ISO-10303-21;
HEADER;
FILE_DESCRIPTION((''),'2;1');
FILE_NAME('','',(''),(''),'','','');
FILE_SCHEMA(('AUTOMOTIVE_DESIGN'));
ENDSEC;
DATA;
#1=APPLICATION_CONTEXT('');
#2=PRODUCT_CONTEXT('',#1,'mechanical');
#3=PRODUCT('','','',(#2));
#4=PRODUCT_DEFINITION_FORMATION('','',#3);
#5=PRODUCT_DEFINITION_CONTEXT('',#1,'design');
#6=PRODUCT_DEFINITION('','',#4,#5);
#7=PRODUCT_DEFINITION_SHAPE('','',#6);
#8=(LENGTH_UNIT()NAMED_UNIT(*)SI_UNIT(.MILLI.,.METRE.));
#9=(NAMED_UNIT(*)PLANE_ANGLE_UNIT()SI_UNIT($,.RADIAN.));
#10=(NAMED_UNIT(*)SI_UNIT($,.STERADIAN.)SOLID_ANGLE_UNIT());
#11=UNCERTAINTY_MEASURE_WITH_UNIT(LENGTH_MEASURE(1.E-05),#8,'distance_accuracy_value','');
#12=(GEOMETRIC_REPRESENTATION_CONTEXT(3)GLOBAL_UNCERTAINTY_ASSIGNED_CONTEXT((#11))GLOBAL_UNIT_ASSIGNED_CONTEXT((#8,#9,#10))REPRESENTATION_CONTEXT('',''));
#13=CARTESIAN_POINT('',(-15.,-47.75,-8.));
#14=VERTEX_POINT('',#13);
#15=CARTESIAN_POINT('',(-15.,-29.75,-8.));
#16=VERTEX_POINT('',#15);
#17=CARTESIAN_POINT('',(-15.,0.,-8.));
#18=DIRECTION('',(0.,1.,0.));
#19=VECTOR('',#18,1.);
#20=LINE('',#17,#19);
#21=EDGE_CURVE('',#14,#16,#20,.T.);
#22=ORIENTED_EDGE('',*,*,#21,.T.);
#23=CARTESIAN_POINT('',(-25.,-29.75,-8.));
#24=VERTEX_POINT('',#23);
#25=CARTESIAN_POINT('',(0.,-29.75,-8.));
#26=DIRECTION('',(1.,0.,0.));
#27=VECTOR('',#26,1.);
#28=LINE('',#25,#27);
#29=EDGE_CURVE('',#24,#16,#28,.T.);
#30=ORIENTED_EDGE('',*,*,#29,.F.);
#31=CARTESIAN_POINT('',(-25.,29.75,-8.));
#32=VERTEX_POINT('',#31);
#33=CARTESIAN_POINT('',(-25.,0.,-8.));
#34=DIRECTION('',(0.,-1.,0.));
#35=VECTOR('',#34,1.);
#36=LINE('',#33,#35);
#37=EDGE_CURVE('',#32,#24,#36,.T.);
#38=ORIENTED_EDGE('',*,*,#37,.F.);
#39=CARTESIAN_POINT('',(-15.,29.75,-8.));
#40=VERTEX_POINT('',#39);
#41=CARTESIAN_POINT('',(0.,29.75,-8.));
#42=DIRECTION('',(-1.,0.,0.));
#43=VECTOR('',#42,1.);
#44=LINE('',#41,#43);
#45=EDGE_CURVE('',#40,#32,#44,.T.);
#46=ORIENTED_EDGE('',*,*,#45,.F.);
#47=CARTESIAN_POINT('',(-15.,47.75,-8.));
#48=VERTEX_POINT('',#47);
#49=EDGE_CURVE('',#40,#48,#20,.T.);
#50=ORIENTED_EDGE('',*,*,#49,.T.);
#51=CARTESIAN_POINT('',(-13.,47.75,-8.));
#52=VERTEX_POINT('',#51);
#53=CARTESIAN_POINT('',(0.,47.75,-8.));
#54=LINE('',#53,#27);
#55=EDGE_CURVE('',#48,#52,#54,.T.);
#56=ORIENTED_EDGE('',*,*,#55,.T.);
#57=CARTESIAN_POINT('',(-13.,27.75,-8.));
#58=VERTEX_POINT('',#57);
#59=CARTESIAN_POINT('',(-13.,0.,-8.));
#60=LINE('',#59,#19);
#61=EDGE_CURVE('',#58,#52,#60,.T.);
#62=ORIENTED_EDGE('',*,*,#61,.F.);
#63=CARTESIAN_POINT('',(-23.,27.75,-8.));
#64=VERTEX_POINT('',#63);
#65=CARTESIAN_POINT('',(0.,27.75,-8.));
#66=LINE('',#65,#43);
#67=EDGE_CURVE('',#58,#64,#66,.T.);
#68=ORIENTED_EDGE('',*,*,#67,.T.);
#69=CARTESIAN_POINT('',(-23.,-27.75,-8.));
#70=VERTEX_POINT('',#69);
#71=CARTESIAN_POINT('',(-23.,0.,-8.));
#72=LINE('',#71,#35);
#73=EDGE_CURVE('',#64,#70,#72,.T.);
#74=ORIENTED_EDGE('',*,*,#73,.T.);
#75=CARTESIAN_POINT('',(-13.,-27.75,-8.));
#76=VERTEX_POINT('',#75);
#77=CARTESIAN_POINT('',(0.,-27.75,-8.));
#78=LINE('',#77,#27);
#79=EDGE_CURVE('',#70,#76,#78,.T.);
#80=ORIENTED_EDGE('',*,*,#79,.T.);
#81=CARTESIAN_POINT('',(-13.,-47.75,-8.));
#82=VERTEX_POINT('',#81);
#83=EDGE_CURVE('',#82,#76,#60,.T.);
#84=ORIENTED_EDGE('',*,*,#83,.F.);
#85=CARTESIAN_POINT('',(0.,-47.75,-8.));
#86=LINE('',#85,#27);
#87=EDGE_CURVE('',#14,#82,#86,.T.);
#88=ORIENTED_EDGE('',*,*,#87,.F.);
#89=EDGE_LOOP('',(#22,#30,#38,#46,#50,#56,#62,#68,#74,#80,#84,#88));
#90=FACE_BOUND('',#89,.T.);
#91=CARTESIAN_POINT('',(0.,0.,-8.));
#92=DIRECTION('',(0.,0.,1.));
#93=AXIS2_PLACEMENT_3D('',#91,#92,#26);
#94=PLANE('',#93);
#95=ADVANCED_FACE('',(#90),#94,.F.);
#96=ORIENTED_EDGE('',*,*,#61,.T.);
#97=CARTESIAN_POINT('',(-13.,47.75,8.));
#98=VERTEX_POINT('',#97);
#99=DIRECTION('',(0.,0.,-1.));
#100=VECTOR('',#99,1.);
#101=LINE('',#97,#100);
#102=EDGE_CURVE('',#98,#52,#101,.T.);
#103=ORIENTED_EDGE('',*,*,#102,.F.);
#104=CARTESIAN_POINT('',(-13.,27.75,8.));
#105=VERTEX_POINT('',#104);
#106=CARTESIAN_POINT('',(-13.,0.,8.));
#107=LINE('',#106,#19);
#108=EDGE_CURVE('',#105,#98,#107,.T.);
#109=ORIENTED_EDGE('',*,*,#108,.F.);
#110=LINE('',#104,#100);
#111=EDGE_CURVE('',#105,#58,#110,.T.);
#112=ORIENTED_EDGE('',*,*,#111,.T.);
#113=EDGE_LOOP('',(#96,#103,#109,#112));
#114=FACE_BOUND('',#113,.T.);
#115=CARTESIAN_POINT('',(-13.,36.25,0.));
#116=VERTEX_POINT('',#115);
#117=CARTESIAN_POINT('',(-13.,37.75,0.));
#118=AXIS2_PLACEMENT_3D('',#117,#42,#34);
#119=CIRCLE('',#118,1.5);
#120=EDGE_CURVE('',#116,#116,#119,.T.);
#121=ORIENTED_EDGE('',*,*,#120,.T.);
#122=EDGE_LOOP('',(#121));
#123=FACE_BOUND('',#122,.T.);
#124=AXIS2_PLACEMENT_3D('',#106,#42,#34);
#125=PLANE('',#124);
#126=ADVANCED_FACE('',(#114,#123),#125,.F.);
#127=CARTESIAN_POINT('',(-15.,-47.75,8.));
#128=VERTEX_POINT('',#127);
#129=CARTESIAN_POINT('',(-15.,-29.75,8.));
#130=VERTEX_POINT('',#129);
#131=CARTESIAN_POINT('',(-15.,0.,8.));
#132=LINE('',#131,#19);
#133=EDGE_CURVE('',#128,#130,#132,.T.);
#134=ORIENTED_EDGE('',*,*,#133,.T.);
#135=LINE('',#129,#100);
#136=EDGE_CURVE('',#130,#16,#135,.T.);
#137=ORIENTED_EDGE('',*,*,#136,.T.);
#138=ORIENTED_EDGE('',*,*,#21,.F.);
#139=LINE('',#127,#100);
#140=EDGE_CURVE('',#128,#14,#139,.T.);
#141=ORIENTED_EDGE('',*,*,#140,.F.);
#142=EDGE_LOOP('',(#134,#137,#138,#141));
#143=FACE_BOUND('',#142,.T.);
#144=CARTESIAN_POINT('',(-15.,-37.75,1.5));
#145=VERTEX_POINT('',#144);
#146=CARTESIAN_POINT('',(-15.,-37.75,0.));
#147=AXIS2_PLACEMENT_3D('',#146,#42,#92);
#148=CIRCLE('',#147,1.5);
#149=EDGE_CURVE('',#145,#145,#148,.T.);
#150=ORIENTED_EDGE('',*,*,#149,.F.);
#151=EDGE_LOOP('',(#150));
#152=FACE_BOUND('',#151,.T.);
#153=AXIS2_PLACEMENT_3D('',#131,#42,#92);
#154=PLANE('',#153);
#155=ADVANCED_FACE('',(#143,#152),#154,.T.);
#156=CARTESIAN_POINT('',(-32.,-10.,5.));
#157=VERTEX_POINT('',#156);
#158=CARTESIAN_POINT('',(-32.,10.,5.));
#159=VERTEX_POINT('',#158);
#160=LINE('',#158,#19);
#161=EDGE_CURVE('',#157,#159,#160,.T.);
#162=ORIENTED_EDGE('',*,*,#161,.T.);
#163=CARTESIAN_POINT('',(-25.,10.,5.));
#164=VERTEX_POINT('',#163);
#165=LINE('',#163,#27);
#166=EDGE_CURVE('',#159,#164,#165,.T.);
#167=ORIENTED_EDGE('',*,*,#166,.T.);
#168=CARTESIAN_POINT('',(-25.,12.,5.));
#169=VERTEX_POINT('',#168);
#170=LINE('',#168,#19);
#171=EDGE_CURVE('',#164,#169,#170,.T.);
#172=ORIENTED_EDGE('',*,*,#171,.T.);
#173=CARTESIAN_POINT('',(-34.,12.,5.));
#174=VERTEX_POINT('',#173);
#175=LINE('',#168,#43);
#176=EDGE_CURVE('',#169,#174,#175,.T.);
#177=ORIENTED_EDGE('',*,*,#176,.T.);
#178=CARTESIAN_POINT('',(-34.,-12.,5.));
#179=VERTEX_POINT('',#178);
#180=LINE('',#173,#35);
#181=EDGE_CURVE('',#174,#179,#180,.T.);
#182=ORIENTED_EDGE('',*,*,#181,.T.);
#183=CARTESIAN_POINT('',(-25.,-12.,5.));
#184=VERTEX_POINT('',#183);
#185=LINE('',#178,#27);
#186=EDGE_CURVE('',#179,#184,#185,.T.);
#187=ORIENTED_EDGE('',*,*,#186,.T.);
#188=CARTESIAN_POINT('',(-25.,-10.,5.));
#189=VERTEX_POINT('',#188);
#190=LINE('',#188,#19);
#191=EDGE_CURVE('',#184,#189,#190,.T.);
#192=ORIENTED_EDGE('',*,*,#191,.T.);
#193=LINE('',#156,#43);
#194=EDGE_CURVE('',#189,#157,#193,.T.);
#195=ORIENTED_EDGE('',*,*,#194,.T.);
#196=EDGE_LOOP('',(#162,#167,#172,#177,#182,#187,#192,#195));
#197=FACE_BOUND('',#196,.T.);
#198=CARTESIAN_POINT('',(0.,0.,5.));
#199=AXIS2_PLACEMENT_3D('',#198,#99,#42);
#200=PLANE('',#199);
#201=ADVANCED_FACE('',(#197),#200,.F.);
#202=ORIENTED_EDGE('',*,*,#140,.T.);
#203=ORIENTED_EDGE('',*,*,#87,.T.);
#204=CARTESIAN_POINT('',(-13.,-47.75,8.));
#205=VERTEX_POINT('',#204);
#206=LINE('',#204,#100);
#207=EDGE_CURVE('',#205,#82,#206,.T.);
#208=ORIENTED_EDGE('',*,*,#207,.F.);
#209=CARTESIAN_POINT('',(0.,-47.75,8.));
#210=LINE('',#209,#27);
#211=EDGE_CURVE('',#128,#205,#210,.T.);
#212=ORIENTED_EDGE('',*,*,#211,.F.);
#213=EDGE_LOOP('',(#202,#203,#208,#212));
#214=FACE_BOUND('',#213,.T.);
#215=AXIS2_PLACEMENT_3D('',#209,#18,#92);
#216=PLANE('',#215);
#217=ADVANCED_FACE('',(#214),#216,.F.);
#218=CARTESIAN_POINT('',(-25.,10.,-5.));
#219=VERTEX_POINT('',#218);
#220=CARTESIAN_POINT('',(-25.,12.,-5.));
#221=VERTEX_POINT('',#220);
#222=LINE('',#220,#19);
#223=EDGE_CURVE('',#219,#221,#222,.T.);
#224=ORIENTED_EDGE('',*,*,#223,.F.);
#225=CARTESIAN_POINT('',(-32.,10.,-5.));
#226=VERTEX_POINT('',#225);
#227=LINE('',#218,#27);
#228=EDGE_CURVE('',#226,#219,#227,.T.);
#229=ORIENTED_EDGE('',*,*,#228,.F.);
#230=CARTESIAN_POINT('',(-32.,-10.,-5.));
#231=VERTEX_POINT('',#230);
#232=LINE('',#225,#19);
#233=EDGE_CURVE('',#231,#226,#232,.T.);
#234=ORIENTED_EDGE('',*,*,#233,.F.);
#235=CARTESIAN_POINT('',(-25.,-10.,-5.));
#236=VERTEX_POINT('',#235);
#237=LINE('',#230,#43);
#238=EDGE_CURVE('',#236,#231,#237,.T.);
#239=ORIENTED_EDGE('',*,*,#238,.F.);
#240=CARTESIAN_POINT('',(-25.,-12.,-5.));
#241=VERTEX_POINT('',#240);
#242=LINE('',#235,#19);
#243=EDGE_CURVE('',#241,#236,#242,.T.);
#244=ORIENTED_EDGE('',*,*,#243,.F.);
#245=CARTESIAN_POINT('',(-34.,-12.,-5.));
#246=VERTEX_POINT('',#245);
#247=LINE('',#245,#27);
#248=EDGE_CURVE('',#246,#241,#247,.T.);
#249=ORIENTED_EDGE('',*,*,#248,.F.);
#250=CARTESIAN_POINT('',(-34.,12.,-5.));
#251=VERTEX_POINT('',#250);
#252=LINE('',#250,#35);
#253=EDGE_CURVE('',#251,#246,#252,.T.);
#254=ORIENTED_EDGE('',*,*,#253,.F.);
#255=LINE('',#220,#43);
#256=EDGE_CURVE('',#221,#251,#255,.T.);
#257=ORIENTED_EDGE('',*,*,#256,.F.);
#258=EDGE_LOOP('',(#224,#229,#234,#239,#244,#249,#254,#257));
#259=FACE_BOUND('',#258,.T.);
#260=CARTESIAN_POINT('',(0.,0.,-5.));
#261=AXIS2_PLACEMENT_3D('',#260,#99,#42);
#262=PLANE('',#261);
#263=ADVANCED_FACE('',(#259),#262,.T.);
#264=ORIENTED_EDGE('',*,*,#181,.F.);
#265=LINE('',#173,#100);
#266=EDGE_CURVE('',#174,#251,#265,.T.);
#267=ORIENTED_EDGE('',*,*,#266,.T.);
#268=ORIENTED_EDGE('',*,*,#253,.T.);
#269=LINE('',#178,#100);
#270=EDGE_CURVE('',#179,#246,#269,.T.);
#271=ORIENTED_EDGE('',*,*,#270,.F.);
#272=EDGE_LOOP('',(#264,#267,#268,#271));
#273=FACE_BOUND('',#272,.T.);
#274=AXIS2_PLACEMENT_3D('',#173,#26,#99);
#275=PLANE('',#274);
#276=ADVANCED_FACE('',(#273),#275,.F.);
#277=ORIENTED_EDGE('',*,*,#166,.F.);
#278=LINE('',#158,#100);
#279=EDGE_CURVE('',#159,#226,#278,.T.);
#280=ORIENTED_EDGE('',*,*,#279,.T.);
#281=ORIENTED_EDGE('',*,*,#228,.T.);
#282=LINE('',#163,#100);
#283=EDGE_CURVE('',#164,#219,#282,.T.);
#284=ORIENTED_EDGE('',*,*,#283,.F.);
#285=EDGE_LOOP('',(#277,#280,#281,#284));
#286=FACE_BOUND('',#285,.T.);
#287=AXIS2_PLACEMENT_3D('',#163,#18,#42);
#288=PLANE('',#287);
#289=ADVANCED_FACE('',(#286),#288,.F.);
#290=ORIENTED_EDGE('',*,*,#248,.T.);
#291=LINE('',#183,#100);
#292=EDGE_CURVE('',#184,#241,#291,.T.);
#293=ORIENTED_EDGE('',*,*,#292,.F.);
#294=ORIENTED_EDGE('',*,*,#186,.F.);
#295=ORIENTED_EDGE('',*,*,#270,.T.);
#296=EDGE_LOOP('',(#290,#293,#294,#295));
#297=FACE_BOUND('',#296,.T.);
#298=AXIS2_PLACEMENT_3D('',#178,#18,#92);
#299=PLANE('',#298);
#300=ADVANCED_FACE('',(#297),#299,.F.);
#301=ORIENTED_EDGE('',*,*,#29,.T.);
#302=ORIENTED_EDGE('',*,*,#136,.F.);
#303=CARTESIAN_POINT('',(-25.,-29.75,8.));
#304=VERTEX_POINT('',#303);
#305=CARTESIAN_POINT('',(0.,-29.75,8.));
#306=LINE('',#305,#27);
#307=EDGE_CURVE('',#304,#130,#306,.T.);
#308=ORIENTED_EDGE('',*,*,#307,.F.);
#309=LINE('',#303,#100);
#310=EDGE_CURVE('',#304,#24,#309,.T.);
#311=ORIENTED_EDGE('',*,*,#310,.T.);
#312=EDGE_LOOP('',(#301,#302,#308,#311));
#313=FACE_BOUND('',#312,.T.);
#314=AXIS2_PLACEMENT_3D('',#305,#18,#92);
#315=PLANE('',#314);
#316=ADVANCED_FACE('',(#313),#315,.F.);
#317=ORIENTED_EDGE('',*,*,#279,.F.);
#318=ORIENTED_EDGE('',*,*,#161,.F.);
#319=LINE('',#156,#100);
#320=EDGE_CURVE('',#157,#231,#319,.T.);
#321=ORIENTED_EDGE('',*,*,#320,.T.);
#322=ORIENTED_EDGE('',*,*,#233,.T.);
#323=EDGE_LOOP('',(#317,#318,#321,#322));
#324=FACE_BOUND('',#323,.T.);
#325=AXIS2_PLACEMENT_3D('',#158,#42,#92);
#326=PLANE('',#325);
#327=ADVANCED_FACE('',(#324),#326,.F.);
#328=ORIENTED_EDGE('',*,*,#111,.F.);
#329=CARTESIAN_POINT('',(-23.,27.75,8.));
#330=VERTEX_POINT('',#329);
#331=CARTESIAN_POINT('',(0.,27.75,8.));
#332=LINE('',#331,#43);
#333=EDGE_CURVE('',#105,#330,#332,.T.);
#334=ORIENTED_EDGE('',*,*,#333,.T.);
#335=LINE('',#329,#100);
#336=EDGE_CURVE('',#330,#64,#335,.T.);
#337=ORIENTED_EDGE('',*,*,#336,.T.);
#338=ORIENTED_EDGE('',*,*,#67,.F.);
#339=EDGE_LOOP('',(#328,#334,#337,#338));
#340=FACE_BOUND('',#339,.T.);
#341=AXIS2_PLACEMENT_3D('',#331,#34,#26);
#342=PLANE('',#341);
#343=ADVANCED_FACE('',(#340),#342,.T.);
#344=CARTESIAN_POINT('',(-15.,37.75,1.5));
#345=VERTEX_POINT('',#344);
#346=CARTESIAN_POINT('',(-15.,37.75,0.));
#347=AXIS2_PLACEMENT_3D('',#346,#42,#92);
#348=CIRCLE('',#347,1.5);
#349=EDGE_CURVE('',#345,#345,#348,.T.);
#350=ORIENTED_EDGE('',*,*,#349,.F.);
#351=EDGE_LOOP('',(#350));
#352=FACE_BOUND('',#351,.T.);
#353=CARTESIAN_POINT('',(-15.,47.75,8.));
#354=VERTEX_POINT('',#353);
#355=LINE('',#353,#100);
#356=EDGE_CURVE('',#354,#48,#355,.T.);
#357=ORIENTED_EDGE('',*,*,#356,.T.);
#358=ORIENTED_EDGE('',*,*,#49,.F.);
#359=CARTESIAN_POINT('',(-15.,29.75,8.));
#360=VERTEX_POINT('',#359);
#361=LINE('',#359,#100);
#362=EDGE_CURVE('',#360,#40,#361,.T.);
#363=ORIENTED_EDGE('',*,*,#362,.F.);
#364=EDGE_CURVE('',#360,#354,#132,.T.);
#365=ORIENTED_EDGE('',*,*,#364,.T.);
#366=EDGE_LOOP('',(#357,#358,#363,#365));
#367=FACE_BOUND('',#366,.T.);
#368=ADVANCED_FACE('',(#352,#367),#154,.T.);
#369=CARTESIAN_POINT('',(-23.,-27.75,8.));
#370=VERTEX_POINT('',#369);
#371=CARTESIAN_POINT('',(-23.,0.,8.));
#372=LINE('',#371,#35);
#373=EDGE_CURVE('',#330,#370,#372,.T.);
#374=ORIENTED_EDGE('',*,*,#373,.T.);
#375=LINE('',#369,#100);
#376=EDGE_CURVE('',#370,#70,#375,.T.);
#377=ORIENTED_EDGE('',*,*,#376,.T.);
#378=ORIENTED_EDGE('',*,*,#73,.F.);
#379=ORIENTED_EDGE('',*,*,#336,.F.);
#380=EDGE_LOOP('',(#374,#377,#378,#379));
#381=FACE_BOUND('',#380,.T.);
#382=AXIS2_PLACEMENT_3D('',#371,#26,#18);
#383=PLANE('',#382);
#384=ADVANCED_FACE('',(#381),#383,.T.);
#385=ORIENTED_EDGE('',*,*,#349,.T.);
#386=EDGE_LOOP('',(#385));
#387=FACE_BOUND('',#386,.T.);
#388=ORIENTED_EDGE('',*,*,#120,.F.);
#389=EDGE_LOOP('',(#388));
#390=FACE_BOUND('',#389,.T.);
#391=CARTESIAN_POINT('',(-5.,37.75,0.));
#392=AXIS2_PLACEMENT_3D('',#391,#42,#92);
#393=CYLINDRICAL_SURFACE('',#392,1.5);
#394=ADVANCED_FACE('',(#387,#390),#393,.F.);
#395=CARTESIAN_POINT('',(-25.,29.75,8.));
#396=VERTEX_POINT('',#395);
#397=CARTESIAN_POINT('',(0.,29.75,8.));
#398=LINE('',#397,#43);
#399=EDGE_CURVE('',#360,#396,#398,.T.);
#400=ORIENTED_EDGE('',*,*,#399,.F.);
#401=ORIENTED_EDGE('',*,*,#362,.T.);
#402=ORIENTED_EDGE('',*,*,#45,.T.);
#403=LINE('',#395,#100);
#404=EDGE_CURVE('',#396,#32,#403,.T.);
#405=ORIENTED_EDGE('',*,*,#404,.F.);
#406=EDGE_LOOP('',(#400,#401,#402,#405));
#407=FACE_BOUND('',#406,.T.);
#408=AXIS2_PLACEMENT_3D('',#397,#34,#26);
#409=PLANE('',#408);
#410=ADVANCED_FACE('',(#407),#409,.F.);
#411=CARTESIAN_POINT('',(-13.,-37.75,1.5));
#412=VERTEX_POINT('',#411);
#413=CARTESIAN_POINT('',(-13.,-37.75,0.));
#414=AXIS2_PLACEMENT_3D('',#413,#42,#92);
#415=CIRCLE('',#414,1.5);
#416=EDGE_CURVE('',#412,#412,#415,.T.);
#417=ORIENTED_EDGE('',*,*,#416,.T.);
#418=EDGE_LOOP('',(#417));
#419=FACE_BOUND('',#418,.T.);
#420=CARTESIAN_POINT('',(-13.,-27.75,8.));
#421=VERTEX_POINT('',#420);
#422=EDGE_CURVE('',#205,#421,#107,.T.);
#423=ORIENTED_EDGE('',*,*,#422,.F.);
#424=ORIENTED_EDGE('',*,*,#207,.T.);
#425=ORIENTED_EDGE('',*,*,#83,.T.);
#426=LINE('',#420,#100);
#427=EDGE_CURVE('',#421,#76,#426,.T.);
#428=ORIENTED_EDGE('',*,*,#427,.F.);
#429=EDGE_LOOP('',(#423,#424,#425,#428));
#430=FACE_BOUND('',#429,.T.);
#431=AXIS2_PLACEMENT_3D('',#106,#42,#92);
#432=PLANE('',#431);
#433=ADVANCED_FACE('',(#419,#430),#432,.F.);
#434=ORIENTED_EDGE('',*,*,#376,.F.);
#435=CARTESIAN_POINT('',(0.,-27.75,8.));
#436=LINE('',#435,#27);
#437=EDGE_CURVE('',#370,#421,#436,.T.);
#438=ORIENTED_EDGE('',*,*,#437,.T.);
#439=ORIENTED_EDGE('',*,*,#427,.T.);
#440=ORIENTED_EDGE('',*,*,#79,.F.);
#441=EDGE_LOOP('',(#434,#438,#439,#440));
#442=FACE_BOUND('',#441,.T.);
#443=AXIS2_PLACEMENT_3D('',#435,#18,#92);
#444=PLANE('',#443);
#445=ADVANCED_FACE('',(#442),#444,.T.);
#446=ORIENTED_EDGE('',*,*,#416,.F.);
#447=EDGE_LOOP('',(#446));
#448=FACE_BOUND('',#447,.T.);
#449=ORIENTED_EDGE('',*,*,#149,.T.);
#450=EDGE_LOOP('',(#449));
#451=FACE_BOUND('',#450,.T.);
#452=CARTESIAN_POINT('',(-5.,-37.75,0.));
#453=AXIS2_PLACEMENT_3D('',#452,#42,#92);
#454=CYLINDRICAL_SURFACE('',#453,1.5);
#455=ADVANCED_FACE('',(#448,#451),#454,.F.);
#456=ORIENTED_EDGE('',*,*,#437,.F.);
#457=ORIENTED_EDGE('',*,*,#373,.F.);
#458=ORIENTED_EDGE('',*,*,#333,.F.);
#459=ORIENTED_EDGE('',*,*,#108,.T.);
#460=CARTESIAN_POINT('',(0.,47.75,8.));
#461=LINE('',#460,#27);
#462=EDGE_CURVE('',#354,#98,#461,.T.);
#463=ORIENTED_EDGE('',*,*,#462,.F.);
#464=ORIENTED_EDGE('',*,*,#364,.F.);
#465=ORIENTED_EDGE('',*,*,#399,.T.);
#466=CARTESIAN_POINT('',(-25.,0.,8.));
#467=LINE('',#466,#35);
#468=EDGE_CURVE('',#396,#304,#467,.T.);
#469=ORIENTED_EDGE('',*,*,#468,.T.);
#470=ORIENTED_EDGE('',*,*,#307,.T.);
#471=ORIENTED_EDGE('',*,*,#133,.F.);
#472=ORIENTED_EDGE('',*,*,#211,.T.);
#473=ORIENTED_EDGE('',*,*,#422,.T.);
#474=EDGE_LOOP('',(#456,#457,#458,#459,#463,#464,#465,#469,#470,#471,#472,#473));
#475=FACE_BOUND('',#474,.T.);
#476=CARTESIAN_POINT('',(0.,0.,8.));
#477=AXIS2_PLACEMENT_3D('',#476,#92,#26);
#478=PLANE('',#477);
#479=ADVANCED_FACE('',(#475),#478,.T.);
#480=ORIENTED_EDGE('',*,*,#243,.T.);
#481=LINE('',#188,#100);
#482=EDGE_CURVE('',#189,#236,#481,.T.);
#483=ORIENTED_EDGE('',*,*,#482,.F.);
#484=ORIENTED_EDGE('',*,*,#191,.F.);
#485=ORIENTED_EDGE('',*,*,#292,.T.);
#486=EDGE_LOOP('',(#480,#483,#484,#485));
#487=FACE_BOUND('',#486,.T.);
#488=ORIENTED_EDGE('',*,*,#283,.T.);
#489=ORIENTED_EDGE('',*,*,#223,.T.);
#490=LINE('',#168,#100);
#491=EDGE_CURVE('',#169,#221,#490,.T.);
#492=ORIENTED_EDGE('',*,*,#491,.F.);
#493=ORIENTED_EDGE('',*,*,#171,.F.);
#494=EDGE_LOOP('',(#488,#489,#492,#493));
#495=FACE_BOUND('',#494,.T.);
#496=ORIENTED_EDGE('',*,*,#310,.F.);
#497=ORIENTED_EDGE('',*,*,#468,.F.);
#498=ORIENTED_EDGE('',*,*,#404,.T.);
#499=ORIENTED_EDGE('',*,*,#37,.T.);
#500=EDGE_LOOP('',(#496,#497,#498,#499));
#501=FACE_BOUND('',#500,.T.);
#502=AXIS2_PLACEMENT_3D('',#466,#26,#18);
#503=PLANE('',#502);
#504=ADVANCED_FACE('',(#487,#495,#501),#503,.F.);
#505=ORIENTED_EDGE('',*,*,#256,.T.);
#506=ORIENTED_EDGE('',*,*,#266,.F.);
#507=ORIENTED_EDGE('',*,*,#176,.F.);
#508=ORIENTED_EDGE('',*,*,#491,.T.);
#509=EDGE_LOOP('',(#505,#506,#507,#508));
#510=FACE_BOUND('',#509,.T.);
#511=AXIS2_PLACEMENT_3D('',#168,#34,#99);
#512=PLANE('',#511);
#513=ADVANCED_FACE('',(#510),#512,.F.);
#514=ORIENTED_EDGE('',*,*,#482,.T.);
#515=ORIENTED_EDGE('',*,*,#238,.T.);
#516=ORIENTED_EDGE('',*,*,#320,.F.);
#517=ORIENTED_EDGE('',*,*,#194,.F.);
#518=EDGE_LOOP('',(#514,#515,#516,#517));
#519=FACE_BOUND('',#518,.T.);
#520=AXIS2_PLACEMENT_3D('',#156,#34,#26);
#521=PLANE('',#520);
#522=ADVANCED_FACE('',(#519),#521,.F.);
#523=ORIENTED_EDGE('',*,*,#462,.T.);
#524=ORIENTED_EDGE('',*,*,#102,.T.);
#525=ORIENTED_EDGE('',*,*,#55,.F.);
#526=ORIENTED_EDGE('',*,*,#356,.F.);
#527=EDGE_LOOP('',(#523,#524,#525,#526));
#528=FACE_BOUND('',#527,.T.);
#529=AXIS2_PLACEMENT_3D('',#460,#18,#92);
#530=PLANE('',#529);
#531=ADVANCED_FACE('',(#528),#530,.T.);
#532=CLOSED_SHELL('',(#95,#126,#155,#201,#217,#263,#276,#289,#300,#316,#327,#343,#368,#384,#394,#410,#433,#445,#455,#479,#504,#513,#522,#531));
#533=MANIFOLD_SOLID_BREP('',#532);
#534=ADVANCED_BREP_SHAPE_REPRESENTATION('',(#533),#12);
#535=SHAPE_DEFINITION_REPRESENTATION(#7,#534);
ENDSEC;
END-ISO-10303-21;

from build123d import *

# Parameters (mm, degrees)
Y_KSEKLIK_EKSTR_ZYON1_DEPTH = 8
IZIM2_R                     = 1.5
KES_EKSTR_ZYON1_DEPTH       = 10
Y_KSEKLIK_EKSTR_ZYON2_DEPTH = 5


with BuildPart() as part:
    # Çizim1 → Yükseklik-Ekstrüzyon1 (new body, symmetric)
    with BuildSketch(Plane.XY):
        Polygon((-15, 27.75), (-13, 27.75), (-13, 29.75), (-13, 47.75), (-15, 47.75), (-15, 29.75), (-25, 29.75), (-25, -29.75), (-15, -29.75), (-15, -47.75), (-13, -47.75), (-13, -29.75), (-13, -27.75), (-15, -27.75), (-23, -27.75), (-23, 0), (-23, 27.75), align=None)
    extrude(amount=Y_KSEKLIK_EKSTR_ZYON1_DEPTH, both=True)

    # Çizim2 → Kes-Ekstrüzyon1 (cut)
    with BuildSketch(Plane.ZY.offset(15)):
        with Locations((0, 37.75)):
            Circle(IZIM2_R)
        with Locations((0, -37.75)):
            Circle(IZIM2_R)
    extrude(amount=-KES_EKSTR_ZYON1_DEPTH, mode=Mode.SUBTRACT)

    # Çizim4 → Yükseklik-Ekstrüzyon2 (add, symmetric)
    with BuildSketch(Plane.XY):
        Polygon((-25, 10), (-32, 10), (-32, -10), (-25, -10), (-25, -12), (-34, -12), (-34, 12), (-25, 12), align=None)
    extrude(amount=Y_KSEKLIK_EKSTR_ZYON2_DEPTH, both=True)


solid = part.part
